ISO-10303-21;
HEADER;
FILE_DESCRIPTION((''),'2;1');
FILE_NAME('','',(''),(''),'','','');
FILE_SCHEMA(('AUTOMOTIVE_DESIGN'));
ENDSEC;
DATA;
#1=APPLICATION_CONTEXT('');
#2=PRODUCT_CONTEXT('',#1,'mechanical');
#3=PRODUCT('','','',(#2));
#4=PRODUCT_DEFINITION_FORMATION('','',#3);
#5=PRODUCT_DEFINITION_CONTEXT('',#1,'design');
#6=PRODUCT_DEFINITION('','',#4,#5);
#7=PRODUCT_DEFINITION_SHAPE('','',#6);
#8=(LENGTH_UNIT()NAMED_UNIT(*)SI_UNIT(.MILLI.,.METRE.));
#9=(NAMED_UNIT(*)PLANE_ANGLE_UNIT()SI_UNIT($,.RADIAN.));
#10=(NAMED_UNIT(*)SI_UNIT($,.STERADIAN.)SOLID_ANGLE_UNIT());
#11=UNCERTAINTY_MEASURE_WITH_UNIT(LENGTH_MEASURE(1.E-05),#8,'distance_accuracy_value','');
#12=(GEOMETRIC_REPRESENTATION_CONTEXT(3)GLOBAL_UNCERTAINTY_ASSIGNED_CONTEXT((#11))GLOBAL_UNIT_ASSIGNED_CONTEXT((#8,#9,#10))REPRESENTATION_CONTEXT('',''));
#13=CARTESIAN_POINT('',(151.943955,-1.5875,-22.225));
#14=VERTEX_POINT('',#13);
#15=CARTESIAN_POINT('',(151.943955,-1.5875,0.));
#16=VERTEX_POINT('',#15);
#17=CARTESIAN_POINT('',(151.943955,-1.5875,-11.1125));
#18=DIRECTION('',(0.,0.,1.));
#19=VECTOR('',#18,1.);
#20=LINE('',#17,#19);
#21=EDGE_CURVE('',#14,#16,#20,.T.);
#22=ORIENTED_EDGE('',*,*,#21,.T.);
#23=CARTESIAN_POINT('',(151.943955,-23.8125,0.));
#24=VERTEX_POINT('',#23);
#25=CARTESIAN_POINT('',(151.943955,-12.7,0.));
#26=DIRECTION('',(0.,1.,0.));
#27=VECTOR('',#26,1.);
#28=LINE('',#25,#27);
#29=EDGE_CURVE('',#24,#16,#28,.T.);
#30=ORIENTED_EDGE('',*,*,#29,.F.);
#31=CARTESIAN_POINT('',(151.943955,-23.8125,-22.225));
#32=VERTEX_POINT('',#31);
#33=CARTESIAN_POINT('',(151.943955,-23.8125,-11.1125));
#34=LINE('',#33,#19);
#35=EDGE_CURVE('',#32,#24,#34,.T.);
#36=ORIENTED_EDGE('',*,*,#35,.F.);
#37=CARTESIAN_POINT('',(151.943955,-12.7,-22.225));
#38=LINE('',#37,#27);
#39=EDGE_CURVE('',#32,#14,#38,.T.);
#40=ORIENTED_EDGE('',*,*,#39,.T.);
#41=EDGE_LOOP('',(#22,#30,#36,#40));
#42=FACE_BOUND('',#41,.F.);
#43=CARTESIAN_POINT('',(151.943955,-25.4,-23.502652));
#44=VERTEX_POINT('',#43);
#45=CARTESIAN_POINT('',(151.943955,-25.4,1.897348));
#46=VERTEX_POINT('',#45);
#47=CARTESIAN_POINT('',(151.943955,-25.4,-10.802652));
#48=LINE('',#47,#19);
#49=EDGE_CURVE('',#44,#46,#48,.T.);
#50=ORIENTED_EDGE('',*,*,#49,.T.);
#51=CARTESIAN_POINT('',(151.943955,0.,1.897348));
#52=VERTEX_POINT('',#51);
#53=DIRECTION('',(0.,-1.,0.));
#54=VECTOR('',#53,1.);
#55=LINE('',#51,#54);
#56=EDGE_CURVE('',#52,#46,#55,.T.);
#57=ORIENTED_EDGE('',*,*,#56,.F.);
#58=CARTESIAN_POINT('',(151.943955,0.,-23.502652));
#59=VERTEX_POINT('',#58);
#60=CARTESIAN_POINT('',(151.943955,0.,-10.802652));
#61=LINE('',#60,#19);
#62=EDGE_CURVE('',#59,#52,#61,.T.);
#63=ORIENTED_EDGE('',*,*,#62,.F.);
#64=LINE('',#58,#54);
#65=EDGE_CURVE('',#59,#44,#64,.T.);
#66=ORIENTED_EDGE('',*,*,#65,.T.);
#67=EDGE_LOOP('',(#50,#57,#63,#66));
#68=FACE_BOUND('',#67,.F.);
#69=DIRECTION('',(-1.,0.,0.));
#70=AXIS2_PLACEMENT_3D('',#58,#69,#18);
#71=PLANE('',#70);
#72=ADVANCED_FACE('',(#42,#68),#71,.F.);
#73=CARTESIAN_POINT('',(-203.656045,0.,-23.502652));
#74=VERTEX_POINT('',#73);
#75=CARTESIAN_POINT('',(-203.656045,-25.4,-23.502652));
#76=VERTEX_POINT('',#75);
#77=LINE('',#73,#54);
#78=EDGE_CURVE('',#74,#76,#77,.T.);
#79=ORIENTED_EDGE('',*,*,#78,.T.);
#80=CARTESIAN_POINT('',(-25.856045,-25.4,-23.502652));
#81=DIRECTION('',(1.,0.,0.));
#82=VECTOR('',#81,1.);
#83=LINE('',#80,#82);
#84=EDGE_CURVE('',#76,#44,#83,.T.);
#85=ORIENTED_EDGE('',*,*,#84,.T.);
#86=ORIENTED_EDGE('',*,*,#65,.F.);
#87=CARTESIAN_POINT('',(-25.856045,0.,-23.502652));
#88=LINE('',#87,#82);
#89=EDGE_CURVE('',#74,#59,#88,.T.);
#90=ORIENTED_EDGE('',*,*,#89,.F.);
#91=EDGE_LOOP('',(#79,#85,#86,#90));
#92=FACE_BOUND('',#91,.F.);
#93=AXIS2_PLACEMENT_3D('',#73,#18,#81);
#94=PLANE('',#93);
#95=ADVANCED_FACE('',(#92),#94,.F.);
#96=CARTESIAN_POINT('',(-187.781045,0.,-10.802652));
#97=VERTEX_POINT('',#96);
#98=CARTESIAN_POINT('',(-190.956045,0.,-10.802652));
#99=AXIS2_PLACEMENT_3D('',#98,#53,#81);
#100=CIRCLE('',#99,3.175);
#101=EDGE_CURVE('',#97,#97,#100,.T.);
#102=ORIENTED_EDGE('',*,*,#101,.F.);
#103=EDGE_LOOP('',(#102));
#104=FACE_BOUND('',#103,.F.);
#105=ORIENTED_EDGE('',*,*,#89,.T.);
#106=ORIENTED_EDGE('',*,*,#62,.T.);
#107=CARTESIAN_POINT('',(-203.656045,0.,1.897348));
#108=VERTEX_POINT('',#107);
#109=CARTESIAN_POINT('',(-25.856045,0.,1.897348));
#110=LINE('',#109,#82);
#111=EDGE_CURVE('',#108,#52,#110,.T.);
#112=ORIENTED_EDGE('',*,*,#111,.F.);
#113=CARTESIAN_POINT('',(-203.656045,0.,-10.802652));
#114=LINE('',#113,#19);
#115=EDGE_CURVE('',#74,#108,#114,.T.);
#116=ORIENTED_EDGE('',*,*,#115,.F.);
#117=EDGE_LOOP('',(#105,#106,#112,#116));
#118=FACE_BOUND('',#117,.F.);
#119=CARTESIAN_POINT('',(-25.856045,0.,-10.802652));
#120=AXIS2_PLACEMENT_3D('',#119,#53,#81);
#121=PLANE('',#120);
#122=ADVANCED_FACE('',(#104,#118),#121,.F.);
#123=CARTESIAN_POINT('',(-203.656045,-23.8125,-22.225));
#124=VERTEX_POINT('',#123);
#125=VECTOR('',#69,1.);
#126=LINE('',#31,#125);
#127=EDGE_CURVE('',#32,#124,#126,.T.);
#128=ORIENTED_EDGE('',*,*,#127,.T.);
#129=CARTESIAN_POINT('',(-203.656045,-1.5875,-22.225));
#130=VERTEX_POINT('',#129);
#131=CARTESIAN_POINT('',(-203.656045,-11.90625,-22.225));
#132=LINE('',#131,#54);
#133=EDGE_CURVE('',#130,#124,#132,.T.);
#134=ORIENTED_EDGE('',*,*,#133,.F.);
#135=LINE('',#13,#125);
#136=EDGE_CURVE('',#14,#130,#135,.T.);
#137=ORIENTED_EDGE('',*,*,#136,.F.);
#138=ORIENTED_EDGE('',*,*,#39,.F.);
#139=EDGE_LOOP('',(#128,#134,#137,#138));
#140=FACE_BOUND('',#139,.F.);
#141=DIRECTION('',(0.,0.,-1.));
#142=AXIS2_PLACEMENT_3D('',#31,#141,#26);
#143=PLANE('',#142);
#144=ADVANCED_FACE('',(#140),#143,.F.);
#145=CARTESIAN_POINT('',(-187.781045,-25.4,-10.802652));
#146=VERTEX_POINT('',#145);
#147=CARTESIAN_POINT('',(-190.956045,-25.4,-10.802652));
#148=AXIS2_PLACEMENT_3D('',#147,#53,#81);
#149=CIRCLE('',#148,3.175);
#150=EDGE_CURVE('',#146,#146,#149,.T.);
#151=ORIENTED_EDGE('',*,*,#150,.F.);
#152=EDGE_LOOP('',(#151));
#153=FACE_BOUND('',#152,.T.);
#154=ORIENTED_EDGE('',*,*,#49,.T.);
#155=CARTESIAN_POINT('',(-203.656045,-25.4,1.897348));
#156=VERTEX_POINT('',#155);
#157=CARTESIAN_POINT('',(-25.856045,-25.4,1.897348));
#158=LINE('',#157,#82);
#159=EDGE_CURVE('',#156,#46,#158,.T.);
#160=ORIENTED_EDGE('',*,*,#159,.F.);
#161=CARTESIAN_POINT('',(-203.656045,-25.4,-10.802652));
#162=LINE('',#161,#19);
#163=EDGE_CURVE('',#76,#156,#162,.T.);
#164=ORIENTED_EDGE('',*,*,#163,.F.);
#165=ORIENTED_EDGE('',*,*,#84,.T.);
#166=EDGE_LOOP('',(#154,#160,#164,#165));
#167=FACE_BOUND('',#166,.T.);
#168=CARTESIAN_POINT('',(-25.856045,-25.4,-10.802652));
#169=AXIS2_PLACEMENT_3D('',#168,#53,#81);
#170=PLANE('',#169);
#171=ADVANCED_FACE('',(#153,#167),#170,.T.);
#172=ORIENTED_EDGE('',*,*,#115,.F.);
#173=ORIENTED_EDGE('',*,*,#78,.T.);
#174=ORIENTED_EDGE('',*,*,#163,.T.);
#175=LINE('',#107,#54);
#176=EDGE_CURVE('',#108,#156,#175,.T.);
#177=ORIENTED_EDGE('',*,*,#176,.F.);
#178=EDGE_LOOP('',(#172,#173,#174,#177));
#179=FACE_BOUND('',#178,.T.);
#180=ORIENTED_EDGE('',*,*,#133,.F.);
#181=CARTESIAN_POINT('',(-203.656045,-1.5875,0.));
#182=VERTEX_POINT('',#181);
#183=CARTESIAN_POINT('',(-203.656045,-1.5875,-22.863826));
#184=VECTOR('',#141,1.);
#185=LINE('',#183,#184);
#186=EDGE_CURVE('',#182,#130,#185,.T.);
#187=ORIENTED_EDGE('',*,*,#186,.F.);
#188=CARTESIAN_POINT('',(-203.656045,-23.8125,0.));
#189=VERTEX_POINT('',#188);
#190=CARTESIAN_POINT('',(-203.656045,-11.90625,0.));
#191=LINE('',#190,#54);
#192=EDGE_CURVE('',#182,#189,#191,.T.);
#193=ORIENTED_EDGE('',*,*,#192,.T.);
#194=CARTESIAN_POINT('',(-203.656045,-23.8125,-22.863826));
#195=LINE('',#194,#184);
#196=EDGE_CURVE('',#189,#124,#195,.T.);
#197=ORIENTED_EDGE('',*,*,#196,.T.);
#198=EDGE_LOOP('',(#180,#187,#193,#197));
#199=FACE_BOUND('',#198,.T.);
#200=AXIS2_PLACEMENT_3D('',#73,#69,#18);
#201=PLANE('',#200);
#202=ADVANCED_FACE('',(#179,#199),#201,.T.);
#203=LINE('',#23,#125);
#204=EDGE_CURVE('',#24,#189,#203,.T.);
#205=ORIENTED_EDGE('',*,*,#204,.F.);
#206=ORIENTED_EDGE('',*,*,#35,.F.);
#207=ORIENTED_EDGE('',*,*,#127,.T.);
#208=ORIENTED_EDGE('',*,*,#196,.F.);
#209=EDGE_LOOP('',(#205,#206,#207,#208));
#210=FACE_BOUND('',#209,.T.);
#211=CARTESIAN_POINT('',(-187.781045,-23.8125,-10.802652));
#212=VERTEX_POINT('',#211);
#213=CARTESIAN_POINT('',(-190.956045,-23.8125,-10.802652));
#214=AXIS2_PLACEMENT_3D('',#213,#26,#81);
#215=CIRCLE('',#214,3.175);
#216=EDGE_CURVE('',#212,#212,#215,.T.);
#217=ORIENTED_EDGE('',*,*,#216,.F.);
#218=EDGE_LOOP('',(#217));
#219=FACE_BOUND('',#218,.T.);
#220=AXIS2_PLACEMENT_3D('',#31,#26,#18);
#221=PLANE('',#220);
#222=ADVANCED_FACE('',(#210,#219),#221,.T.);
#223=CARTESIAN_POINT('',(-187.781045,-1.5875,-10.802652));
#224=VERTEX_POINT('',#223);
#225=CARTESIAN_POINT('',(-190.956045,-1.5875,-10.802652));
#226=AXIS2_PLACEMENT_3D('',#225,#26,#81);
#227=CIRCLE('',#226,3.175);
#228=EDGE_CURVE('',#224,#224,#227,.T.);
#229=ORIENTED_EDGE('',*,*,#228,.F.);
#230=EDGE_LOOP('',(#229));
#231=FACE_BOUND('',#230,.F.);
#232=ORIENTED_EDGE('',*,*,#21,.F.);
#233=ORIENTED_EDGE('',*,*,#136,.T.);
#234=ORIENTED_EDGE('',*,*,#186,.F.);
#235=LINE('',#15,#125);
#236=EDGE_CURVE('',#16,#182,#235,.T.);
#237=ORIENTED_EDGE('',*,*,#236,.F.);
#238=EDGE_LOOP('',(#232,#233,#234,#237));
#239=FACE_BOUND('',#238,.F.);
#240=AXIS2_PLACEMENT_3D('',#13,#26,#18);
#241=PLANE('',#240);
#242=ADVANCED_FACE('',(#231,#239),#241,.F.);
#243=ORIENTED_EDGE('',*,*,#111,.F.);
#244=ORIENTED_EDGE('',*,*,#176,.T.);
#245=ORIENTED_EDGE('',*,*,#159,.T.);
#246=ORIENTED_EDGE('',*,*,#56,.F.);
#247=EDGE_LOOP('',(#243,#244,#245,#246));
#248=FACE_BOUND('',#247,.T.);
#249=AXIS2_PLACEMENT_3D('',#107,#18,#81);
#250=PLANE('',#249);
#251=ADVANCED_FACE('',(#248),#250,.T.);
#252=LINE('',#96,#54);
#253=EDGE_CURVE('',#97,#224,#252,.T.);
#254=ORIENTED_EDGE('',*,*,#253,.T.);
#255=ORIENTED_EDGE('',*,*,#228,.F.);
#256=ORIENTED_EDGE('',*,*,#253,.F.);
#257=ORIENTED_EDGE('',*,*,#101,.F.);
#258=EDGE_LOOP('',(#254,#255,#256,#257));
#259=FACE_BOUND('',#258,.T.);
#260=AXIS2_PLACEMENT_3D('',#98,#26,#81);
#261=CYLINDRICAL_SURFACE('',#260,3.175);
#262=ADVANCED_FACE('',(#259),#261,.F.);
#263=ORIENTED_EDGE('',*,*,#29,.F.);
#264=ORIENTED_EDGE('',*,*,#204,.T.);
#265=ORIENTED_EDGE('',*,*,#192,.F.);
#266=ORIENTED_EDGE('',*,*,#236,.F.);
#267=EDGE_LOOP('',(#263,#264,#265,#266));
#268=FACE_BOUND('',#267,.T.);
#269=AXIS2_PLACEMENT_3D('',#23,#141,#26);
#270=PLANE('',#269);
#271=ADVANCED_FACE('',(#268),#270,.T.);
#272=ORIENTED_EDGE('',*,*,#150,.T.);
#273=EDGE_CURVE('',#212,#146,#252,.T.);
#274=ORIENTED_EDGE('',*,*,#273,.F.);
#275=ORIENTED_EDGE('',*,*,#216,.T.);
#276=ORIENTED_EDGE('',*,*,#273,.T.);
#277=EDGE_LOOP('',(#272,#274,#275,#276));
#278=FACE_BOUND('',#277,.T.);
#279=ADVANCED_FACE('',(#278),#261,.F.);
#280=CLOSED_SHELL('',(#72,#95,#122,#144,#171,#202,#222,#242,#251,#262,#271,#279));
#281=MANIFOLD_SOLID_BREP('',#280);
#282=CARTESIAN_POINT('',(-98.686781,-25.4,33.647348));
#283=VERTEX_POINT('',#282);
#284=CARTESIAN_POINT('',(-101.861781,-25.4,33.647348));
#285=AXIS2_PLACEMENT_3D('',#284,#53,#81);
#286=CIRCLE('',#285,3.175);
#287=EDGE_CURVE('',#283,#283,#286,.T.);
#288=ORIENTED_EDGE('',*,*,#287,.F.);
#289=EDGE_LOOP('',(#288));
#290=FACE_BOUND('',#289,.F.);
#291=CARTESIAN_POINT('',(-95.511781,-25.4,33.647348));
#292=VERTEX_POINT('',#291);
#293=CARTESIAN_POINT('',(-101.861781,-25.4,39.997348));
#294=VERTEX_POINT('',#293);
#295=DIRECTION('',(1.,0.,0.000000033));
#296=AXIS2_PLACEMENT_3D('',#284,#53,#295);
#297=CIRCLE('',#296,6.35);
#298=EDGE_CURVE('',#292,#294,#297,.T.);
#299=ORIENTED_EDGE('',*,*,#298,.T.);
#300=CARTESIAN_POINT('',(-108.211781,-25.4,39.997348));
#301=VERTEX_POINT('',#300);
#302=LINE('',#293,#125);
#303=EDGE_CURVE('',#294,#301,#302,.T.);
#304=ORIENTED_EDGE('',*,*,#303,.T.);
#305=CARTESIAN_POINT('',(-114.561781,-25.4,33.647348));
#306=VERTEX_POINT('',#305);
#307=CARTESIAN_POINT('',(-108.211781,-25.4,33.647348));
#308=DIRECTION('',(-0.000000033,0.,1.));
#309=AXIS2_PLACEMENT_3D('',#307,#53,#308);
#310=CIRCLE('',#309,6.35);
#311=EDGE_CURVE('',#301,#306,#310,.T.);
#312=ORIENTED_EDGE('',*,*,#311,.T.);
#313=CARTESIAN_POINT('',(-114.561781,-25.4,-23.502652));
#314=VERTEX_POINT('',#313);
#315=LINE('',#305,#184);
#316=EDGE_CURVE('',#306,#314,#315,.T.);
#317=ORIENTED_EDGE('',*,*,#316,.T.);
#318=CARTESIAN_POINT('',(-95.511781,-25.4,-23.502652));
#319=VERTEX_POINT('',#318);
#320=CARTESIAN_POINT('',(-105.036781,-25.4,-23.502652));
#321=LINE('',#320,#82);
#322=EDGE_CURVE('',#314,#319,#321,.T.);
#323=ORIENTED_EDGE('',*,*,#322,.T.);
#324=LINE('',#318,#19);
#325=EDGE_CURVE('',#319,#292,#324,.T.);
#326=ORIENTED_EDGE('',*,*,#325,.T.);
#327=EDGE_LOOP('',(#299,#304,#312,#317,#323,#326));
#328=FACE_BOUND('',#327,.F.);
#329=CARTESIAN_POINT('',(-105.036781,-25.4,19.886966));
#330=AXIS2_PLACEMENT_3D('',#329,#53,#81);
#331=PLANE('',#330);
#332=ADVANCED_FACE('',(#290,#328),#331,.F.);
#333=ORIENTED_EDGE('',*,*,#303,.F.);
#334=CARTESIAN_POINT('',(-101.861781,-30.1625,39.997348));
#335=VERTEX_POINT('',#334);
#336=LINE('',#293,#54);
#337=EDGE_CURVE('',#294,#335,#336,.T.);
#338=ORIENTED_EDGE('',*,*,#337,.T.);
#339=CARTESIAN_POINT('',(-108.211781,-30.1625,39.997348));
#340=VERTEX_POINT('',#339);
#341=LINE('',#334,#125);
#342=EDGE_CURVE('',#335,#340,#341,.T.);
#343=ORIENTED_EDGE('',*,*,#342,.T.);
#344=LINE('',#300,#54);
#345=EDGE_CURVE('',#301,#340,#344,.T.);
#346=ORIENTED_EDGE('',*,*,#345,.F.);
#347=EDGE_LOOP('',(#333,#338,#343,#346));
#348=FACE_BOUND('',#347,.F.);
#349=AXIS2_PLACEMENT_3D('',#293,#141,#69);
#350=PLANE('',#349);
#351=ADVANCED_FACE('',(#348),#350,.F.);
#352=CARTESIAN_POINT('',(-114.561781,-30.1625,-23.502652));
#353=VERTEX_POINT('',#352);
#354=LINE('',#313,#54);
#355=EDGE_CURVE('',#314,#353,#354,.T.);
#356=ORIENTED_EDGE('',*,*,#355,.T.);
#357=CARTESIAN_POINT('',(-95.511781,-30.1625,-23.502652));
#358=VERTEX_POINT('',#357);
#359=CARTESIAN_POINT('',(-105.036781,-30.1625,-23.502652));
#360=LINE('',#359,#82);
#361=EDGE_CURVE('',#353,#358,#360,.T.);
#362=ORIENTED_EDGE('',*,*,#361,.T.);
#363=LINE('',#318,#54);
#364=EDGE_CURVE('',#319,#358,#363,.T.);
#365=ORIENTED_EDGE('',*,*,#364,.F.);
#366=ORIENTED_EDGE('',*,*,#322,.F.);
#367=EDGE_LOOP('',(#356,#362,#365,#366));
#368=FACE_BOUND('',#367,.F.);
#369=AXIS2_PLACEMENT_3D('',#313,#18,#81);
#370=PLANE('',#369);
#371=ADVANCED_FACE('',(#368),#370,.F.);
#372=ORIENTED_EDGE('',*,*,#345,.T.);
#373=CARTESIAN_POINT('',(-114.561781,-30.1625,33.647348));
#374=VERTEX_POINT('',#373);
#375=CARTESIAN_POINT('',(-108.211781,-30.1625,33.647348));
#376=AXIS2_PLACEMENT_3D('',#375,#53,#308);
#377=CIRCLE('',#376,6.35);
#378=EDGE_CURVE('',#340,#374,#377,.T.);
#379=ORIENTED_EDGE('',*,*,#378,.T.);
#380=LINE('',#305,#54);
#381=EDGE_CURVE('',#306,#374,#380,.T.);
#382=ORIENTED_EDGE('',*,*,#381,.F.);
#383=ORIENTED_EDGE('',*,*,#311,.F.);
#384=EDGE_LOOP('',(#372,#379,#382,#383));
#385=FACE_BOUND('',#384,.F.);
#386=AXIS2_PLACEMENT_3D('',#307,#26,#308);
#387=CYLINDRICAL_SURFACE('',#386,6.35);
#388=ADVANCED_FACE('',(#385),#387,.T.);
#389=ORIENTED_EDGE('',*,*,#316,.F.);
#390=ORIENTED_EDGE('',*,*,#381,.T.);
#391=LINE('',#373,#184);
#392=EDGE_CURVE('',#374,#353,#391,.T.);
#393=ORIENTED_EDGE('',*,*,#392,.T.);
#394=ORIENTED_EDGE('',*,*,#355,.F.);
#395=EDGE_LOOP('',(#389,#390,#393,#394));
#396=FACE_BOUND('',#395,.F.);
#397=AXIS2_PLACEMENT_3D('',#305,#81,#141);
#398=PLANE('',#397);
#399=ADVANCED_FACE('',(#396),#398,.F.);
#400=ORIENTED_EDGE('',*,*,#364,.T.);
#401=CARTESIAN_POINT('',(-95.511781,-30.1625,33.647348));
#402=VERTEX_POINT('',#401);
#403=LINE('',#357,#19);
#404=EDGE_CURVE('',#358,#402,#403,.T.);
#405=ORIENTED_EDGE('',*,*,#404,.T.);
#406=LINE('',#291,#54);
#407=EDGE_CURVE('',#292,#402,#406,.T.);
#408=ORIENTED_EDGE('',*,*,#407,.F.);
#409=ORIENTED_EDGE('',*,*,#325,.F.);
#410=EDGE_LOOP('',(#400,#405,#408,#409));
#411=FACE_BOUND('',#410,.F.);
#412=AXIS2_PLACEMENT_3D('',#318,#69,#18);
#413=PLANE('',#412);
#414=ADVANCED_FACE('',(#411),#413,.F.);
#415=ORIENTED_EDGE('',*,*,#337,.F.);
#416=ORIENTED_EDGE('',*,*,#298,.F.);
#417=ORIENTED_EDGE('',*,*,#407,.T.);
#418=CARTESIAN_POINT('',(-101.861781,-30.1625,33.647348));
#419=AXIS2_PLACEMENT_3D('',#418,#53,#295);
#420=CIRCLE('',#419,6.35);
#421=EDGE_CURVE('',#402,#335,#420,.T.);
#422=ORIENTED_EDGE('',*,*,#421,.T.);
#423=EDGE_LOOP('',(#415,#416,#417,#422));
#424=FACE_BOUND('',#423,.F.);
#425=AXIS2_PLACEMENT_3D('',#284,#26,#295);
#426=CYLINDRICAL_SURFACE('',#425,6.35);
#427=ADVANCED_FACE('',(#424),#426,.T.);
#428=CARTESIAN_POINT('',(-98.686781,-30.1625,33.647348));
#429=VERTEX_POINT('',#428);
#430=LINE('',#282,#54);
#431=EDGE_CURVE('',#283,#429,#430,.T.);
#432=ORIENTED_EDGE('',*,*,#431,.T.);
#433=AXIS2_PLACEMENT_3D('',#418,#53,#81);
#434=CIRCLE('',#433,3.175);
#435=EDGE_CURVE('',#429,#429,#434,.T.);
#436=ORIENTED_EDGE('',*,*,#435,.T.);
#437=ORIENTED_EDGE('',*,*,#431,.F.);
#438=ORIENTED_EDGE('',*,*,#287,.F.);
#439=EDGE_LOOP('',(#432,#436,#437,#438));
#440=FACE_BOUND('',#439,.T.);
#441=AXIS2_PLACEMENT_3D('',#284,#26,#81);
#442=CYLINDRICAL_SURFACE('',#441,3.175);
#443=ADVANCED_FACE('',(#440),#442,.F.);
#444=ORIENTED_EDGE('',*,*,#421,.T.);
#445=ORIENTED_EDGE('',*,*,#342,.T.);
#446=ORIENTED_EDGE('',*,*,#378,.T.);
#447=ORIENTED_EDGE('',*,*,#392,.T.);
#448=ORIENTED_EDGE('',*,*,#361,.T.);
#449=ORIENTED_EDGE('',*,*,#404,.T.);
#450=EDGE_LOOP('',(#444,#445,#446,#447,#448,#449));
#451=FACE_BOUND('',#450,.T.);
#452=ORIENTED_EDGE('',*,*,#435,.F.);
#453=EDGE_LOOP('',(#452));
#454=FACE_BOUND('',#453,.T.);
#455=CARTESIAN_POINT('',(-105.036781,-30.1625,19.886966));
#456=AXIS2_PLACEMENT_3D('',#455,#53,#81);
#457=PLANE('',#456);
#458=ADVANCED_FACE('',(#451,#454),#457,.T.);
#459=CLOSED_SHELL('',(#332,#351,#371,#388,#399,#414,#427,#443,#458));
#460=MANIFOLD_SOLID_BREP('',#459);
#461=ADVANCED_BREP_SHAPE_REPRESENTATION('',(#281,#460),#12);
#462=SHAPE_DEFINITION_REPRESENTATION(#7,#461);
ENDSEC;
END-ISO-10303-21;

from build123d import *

# Parameters (mm, degrees)
F0_W     = 355.6
F0_H     = 25.4
F0_R     = 3.175
F1_DEPTH = 25.4
F2_W     = 22.225
F2_H     = 22.225
F3_DEPTH = 355.601
F4_R     = 3.175
F4_W     = 19.05
F4_H     = 25.4
F5_DEPTH = 4.7625


with BuildPart() as f1:
    # F0 (on Front) → F1 (new body)
    with BuildSketch(Plane.XZ):
        with Locations((-25.856045, -10.802652)):
            Rectangle(F0_W, F0_H)
        with Locations((-190.956045, -10.802652)):
            Circle(F0_R, mode=Mode.SUBTRACT)
    extrude(amount=F1_DEPTH)

    # F2 (on face) → F3 (cut, through all)
    with BuildSketch(Plane.YZ.offset(151.943955)):
        with Locations((-12.7, -11.1125)):
            Rectangle(F2_W, F2_H)
    extrude(amount=-F3_DEPTH, mode=Mode.SUBTRACT)


with BuildPart() as f5:
    # F4 (on face) → F5 (new body)
    with BuildSketch(Plane.XZ.offset(25.4)):
        with BuildLine():
            Line((-114.561781, 33.647348), (-114.561781, 1.897348))
            Line((-114.561781, 1.897348), (-95.511781, 1.897348))
            Line((-95.511781, 1.897348), (-95.511781, 33.647348))
            ThreePointArc((-95.511781, 33.647348), (-97.371653, 38.137476), (-101.861781, 39.997348))
            Line((-101.861781, 39.997348), (-108.211781, 39.997348))
            ThreePointArc((-108.211781, 39.997348), (-112.701909, 38.137476), (-114.561781, 33.647348))
        make_face()
        with Locations((-101.861781, 33.647348)):
            Circle(F4_R, mode=Mode.SUBTRACT)
        with Locations((-105.036781, -10.802652)):
            Rectangle(F4_W, F4_H)
    extrude(amount=F5_DEPTH)


solid = Compound([f1.part, f5.part])
